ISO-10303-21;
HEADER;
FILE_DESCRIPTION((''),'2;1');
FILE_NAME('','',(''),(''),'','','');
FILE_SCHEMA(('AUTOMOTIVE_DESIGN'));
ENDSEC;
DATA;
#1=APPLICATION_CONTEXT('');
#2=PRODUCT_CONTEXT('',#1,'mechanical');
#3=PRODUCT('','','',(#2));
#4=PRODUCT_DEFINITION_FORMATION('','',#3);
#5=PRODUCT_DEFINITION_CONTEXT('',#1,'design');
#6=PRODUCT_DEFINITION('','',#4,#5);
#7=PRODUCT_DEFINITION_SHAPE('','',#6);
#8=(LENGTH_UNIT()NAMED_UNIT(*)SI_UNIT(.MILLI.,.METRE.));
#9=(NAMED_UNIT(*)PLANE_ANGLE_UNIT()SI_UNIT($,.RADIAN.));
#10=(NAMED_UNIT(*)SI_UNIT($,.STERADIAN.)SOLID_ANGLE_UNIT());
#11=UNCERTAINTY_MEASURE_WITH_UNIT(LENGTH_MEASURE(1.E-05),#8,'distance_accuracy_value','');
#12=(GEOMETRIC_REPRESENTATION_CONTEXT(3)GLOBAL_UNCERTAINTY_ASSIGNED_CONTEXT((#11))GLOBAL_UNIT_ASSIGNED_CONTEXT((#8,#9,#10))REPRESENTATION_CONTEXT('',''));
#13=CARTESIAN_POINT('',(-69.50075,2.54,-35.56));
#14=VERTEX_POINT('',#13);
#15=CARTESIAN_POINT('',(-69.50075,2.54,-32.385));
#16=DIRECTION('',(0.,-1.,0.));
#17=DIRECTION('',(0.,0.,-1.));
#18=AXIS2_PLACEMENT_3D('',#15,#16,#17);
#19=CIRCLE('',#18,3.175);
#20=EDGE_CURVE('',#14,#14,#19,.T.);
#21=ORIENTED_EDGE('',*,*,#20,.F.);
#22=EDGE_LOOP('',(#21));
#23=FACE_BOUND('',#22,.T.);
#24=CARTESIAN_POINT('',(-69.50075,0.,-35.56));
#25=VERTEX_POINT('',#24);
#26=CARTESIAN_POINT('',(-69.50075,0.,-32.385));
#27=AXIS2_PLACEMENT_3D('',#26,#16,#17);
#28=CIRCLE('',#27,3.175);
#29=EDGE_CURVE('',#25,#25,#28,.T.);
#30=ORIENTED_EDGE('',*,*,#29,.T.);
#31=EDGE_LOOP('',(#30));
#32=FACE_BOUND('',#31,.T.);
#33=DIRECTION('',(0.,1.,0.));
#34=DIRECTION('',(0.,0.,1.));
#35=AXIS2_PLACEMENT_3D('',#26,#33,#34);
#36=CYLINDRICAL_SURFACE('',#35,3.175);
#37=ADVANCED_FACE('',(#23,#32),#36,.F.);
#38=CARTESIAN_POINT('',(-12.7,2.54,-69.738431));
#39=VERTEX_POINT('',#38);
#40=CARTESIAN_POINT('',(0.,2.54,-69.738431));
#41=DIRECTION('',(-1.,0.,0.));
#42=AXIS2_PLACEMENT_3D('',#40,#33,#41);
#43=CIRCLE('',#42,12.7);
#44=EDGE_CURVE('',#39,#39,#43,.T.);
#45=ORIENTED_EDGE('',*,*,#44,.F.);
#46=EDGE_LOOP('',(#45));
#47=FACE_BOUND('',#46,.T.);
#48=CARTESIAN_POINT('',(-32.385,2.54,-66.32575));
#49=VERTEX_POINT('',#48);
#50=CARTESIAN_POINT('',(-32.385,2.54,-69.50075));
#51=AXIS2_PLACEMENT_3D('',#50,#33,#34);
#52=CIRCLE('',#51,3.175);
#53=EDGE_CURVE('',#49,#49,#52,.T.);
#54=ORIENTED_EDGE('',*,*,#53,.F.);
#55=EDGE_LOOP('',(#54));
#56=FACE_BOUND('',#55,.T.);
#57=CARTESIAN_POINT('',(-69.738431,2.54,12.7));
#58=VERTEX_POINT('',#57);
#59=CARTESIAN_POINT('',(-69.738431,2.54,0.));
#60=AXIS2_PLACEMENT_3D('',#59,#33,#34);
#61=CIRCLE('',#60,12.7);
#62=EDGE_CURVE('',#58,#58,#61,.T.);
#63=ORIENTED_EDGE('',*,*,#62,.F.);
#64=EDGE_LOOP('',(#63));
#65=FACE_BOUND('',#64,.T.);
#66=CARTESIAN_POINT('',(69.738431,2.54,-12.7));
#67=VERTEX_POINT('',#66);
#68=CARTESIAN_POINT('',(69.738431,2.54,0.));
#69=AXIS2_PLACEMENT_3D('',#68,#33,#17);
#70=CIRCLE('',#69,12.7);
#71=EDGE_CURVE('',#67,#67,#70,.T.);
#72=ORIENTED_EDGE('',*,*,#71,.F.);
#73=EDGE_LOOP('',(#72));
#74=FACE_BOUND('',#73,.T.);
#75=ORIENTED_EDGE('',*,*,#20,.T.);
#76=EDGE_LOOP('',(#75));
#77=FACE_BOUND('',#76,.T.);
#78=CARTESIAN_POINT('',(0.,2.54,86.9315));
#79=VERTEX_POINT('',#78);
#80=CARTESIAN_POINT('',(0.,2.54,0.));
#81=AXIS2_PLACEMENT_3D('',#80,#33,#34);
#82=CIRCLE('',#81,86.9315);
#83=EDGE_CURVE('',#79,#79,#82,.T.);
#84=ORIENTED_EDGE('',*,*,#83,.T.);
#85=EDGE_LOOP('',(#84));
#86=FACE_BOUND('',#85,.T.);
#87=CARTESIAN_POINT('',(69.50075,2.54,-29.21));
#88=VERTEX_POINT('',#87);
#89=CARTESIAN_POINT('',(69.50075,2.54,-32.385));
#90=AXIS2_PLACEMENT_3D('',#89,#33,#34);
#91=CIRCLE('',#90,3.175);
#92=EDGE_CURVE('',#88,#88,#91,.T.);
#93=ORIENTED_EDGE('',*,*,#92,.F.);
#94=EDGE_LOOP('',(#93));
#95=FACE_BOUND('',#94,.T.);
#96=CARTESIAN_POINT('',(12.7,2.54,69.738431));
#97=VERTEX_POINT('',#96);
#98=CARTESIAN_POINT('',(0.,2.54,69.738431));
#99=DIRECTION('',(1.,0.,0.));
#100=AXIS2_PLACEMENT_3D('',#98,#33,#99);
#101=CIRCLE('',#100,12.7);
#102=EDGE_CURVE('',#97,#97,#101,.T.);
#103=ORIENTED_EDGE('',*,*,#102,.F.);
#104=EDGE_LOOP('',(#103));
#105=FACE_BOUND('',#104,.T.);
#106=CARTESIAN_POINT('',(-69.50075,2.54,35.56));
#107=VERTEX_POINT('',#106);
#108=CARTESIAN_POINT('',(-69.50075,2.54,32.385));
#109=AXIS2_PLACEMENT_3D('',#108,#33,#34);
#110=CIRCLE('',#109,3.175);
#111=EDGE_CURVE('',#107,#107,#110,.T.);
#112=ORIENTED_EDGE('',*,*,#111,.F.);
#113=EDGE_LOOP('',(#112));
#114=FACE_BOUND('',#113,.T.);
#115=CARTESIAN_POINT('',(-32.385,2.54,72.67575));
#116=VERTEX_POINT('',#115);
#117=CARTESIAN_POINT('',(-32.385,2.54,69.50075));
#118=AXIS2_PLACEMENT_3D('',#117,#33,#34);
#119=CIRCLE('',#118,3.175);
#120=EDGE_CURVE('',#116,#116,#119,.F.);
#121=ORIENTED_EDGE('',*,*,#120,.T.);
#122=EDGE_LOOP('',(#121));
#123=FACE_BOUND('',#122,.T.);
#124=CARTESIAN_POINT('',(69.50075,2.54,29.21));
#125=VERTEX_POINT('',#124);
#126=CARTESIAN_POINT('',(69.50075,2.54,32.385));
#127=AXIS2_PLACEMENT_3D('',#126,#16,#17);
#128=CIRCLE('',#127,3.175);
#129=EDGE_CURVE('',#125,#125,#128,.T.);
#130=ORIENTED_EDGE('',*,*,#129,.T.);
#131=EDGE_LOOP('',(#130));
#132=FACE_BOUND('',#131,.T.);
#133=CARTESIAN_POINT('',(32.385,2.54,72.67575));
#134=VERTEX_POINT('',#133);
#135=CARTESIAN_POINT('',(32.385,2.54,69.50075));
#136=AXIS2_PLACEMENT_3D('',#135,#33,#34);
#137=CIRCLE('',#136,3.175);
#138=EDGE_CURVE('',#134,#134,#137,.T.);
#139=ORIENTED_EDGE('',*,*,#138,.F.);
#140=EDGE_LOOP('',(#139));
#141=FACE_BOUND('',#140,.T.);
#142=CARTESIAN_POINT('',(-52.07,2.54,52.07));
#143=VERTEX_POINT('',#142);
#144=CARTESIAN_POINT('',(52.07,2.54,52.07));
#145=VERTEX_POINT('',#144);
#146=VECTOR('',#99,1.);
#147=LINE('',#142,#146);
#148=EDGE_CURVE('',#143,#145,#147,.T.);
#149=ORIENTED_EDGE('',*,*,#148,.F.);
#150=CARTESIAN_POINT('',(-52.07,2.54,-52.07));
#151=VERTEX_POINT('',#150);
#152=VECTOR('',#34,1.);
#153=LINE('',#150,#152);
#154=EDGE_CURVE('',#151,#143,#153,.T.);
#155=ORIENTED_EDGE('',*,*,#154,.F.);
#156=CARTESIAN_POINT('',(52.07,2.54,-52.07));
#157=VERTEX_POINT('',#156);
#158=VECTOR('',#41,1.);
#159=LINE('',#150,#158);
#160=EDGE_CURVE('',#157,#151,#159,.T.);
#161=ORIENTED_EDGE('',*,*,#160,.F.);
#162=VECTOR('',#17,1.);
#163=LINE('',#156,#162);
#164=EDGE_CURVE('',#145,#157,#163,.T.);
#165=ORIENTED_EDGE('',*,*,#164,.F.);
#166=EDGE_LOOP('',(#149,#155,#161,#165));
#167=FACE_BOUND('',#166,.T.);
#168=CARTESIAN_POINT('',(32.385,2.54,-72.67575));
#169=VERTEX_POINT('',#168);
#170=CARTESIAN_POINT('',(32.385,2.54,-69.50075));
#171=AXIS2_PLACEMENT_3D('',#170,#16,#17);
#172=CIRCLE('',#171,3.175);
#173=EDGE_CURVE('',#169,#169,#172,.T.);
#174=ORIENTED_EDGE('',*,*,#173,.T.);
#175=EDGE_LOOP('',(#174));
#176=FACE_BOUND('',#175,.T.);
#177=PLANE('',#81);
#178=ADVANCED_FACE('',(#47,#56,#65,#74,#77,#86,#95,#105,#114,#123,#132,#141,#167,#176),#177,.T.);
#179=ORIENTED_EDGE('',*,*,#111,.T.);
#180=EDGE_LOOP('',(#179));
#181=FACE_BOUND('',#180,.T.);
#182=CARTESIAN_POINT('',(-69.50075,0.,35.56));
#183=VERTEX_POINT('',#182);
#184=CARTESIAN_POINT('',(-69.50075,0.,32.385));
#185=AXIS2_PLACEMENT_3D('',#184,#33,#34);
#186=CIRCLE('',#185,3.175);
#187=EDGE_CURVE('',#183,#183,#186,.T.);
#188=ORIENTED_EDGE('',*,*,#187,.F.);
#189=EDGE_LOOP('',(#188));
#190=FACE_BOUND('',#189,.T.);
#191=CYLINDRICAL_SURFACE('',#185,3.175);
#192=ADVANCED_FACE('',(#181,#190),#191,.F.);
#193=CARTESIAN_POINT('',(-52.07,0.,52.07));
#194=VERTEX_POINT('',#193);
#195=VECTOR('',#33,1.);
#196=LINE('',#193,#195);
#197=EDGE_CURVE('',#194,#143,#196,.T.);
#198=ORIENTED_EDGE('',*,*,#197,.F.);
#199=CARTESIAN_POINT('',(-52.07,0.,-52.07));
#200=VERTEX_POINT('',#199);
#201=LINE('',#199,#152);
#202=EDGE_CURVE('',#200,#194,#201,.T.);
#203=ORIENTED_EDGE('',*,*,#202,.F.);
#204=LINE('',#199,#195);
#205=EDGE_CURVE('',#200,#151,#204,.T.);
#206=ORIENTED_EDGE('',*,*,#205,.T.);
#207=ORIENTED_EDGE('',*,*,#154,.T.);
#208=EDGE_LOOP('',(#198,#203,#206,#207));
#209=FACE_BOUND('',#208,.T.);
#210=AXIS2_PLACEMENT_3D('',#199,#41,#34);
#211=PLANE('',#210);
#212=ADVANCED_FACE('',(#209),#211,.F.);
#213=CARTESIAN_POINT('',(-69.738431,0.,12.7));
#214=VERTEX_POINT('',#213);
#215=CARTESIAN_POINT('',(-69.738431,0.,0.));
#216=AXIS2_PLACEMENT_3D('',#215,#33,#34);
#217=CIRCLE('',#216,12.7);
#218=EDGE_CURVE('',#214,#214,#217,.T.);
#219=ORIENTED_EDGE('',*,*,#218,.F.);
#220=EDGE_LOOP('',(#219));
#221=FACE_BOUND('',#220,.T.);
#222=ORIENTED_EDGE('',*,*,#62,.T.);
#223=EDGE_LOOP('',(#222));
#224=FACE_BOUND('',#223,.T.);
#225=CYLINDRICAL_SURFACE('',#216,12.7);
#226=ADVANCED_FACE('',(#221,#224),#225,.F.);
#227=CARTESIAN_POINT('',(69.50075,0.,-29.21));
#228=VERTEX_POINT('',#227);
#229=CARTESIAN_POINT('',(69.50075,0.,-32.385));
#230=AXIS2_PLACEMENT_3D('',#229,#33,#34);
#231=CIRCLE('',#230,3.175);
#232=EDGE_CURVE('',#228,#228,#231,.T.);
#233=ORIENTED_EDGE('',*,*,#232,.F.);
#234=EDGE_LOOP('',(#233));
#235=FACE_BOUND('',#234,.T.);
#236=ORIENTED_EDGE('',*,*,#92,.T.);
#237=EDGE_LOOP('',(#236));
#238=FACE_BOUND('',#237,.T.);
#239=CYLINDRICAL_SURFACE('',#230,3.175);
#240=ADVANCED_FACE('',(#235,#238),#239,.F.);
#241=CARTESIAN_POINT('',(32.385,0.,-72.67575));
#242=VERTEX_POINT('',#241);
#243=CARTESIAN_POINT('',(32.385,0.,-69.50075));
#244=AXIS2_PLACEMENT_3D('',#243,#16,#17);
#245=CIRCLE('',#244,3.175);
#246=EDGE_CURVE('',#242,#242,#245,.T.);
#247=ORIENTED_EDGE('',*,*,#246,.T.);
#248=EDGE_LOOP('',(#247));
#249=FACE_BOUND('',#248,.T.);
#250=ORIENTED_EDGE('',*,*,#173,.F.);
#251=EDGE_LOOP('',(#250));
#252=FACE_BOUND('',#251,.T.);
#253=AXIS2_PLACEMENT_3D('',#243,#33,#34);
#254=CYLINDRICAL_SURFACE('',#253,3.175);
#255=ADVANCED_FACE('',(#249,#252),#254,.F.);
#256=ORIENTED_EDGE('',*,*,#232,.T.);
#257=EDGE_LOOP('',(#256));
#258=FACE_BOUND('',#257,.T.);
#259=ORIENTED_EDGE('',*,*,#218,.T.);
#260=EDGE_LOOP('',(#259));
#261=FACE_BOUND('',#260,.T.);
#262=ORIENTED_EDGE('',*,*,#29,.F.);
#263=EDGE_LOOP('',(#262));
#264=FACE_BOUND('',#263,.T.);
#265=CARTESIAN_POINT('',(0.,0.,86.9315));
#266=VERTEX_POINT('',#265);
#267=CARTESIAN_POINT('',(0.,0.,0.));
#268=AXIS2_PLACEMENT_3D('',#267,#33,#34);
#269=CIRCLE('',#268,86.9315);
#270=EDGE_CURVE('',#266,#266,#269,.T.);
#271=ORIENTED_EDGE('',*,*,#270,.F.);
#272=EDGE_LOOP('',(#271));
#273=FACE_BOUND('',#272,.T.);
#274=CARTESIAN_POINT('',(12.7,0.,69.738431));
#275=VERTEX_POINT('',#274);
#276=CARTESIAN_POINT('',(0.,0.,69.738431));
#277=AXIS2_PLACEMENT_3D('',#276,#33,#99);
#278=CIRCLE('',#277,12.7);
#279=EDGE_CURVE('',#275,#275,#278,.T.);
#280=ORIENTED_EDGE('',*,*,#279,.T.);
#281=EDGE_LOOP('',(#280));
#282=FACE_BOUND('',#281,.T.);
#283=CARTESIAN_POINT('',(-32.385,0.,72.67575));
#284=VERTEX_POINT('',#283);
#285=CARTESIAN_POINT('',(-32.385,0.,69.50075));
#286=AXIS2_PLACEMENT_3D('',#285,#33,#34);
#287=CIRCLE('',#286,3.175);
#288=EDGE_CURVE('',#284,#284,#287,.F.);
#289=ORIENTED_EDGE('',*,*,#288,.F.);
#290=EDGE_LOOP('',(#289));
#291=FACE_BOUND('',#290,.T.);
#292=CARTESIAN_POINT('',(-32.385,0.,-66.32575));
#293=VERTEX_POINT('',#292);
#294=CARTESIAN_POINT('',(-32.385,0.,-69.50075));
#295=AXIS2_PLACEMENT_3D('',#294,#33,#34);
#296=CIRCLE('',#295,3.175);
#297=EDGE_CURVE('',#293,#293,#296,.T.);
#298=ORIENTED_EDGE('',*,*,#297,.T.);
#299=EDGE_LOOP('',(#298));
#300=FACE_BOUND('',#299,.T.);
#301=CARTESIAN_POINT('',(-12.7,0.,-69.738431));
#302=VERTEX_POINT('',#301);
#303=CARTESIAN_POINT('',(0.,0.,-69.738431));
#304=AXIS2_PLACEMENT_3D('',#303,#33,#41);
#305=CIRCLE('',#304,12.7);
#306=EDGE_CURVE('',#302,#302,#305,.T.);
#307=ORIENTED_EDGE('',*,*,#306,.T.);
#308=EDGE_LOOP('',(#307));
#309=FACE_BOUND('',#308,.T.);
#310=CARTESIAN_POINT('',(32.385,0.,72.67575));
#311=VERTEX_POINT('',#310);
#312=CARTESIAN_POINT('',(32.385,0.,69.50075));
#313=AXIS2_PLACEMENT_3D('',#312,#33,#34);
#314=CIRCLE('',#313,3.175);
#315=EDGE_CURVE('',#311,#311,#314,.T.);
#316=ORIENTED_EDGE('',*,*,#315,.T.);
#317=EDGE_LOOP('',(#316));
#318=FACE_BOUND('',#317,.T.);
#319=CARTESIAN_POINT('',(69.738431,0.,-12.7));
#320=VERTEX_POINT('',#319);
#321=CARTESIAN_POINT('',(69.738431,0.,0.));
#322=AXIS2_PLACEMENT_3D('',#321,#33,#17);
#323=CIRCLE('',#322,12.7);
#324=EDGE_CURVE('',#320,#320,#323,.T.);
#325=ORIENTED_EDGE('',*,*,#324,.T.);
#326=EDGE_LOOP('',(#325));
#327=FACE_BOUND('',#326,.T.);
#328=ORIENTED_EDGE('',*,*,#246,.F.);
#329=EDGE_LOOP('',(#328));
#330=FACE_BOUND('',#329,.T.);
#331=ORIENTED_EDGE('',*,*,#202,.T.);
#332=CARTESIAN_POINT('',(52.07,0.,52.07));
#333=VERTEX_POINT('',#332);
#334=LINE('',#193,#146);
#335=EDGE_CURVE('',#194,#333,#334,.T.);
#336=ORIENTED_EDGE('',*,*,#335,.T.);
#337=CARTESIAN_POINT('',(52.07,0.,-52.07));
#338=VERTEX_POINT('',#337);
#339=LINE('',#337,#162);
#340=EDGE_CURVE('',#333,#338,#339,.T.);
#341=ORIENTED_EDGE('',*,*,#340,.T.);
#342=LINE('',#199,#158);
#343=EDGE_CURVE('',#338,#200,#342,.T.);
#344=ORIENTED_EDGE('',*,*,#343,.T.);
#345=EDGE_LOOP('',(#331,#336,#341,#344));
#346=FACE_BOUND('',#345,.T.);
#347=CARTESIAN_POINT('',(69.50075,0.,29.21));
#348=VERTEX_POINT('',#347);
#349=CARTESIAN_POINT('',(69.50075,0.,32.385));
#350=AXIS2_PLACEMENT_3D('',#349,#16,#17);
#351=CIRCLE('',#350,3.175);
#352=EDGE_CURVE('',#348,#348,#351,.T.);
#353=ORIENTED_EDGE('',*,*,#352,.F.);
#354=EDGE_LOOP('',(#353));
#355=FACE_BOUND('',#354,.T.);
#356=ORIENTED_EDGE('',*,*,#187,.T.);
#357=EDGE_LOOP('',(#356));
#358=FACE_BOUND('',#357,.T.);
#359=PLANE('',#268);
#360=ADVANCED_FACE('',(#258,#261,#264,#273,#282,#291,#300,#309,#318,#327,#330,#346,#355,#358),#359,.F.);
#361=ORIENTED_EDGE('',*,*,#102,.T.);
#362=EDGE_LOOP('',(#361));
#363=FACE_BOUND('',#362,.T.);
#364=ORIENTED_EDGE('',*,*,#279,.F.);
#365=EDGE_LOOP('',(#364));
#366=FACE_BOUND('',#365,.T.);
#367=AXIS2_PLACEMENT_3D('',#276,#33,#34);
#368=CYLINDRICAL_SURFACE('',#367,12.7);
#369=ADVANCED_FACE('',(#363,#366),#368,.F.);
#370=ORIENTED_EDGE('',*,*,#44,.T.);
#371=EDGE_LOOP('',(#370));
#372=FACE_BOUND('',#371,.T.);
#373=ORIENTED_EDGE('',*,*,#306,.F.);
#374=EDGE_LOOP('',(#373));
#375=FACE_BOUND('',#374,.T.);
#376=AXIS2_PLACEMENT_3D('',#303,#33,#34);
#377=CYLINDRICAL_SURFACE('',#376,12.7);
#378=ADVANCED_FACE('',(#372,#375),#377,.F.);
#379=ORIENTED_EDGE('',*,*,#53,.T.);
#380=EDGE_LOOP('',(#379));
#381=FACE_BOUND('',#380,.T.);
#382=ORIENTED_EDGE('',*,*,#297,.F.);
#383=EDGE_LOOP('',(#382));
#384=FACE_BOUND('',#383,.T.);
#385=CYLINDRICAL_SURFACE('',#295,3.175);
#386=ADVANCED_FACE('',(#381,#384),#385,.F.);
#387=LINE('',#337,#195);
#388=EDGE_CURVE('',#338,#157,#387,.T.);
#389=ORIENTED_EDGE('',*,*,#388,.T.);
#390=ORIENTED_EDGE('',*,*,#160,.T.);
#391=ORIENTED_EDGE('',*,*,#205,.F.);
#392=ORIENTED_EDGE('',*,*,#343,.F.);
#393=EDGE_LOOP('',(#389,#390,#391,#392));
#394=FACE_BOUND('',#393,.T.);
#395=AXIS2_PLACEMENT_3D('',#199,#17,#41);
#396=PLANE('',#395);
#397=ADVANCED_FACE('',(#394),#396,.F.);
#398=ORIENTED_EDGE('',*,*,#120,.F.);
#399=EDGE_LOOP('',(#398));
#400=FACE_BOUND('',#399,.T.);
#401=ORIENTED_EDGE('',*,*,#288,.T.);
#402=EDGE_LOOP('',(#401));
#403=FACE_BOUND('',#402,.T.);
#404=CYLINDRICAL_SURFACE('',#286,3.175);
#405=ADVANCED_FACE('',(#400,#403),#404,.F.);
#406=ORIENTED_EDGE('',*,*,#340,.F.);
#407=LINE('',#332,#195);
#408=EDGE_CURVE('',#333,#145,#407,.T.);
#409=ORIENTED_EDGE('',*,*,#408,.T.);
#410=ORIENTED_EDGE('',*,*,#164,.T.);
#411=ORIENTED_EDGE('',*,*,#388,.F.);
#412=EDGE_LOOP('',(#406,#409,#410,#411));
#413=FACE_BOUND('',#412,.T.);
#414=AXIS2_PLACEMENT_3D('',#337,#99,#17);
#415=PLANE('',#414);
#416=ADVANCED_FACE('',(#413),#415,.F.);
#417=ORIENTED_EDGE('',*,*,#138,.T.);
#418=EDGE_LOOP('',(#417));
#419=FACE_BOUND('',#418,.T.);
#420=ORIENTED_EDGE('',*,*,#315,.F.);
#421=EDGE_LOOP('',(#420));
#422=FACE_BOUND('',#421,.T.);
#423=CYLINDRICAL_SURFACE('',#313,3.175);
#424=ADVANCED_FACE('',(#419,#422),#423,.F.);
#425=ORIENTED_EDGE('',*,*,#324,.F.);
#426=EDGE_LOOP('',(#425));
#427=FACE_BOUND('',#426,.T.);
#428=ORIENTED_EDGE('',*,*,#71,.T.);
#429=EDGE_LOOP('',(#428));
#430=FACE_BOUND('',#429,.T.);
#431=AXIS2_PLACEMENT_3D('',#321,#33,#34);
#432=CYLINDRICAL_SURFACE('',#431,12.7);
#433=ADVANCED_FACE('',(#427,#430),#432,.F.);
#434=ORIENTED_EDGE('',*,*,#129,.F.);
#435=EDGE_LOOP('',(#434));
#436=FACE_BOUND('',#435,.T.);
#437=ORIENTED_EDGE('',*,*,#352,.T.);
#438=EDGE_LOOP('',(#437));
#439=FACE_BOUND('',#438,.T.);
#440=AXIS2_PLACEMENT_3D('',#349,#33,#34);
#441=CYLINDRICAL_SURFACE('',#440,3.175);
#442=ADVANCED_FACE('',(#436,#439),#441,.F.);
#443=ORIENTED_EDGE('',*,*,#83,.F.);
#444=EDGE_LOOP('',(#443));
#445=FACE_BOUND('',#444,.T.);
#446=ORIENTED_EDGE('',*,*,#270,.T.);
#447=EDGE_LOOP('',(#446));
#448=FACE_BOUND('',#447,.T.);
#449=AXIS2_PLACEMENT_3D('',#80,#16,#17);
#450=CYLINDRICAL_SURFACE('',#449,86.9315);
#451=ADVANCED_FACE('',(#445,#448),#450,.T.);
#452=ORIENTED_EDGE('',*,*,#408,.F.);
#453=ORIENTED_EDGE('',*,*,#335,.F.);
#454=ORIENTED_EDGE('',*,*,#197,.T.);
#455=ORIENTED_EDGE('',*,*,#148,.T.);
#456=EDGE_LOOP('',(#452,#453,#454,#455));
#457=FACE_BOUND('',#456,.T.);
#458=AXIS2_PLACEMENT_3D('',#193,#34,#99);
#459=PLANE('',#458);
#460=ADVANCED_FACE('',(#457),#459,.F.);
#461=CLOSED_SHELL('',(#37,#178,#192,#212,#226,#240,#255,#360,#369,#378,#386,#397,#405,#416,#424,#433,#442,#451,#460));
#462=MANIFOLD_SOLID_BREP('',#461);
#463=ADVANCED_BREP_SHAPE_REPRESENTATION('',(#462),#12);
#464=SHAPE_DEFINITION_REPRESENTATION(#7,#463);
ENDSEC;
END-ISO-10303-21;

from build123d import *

# Parameters (mm, degrees)
SKETCH1_R           = 86.9315
BOSS_EXTRUDE1_DEPTH = 2.54
SKETCH3_W           = 104.14
SKETCH3_H           = 104.14
CUT_EXTRUDE2_DEPTH  = 2.54
SKETCH4_R           = 3.175
CUT_EXTRUDE3_DEPTH  = 2.54
SKETCH5_R           = 12.7
CUT_EXTRUDE4_DEPTH  = 123.965942376
CIRPATTERN1_COUNT   = 4


with BuildPart() as part:
    # Sketch1 → Boss-Extrude1 (new body)
    with BuildSketch(Plane(origin=(0, 0, 0), x_dir=(1, 0, 0), z_dir=(0, 1, 0))):
        with Locations(Location((0, 0, 0), (0, 0, 270))):
            Circle(SKETCH1_R)
    extrude(amount=BOSS_EXTRUDE1_DEPTH)

    # Sketch3 → Cut-Extrude2 (cut)
    with BuildSketch(Plane(origin=(0, 2.54, 0), x_dir=(1, 0, 0), z_dir=(0, 1, 0))):
        Rectangle(SKETCH3_W, SKETCH3_H)
    extrude(amount=-CUT_EXTRUDE2_DEPTH, mode=Mode.SUBTRACT)

    # Sketch4 → Cut-Extrude3 (cut)
    with BuildSketch(Plane(origin=(0, 2.54, 0), x_dir=(1, 0, 0), z_dir=(0, 1, 0))):
        with Locations(Location((-32.385, -69.50075, 0), (0, 0, 270))):
            Circle(SKETCH4_R)
        with Locations(Location((-69.50075, -32.385, 0), (0, 0, 270))):
            Circle(SKETCH4_R)
        with Locations(Location((69.50075, 32.385, 0), (0, 0, 270))):
            Circle(SKETCH4_R)
        with Locations(Location((-69.50075, 32.385, 0), (0, 0, 90))):
            Circle(SKETCH4_R)
        with Locations(Location((-32.385, 69.50075, 0), (0, 0, 270))):
            Circle(SKETCH4_R)
        with Locations(Location((32.385, 69.50075, 0), (0, 0, 90))):
            Circle(SKETCH4_R)
        with Locations(Location((69.50075, -32.385, 0), (0, 0, 90))):
            Circle(SKETCH4_R)
        with Locations(Location((32.385, -69.50075, 0), (0, 0, 270))):
            Circle(SKETCH4_R)
    extrude(amount=-CUT_EXTRUDE3_DEPTH, mode=Mode.SUBTRACT)

    # Sketch5 → Cut-Extrude4 (cut, through all)
    with BuildSketch(Plane(origin=(0, 2.54, 0), x_dir=(1, 0, 0), z_dir=(0, 1, 0))):
        with Locations(Location((-69.738430692, 0, 0), (0, 0, 270))):
            Circle(SKETCH5_R)
    cut_extrude4 = extrude(amount=-CUT_EXTRUDE4_DEPTH, mode=Mode.SUBTRACT)

    # CirPattern1: Cut-Extrude4 ×4 about axis
    cirpattern1_axis = Axis((0, 0, 0), (0, 1, 0))
    for i in range(1, CIRPATTERN1_COUNT):
        add(cut_extrude4.rotate(cirpattern1_axis, i * 360 / CIRPATTERN1_COUNT), mode=Mode.SUBTRACT)


solid = part.part
